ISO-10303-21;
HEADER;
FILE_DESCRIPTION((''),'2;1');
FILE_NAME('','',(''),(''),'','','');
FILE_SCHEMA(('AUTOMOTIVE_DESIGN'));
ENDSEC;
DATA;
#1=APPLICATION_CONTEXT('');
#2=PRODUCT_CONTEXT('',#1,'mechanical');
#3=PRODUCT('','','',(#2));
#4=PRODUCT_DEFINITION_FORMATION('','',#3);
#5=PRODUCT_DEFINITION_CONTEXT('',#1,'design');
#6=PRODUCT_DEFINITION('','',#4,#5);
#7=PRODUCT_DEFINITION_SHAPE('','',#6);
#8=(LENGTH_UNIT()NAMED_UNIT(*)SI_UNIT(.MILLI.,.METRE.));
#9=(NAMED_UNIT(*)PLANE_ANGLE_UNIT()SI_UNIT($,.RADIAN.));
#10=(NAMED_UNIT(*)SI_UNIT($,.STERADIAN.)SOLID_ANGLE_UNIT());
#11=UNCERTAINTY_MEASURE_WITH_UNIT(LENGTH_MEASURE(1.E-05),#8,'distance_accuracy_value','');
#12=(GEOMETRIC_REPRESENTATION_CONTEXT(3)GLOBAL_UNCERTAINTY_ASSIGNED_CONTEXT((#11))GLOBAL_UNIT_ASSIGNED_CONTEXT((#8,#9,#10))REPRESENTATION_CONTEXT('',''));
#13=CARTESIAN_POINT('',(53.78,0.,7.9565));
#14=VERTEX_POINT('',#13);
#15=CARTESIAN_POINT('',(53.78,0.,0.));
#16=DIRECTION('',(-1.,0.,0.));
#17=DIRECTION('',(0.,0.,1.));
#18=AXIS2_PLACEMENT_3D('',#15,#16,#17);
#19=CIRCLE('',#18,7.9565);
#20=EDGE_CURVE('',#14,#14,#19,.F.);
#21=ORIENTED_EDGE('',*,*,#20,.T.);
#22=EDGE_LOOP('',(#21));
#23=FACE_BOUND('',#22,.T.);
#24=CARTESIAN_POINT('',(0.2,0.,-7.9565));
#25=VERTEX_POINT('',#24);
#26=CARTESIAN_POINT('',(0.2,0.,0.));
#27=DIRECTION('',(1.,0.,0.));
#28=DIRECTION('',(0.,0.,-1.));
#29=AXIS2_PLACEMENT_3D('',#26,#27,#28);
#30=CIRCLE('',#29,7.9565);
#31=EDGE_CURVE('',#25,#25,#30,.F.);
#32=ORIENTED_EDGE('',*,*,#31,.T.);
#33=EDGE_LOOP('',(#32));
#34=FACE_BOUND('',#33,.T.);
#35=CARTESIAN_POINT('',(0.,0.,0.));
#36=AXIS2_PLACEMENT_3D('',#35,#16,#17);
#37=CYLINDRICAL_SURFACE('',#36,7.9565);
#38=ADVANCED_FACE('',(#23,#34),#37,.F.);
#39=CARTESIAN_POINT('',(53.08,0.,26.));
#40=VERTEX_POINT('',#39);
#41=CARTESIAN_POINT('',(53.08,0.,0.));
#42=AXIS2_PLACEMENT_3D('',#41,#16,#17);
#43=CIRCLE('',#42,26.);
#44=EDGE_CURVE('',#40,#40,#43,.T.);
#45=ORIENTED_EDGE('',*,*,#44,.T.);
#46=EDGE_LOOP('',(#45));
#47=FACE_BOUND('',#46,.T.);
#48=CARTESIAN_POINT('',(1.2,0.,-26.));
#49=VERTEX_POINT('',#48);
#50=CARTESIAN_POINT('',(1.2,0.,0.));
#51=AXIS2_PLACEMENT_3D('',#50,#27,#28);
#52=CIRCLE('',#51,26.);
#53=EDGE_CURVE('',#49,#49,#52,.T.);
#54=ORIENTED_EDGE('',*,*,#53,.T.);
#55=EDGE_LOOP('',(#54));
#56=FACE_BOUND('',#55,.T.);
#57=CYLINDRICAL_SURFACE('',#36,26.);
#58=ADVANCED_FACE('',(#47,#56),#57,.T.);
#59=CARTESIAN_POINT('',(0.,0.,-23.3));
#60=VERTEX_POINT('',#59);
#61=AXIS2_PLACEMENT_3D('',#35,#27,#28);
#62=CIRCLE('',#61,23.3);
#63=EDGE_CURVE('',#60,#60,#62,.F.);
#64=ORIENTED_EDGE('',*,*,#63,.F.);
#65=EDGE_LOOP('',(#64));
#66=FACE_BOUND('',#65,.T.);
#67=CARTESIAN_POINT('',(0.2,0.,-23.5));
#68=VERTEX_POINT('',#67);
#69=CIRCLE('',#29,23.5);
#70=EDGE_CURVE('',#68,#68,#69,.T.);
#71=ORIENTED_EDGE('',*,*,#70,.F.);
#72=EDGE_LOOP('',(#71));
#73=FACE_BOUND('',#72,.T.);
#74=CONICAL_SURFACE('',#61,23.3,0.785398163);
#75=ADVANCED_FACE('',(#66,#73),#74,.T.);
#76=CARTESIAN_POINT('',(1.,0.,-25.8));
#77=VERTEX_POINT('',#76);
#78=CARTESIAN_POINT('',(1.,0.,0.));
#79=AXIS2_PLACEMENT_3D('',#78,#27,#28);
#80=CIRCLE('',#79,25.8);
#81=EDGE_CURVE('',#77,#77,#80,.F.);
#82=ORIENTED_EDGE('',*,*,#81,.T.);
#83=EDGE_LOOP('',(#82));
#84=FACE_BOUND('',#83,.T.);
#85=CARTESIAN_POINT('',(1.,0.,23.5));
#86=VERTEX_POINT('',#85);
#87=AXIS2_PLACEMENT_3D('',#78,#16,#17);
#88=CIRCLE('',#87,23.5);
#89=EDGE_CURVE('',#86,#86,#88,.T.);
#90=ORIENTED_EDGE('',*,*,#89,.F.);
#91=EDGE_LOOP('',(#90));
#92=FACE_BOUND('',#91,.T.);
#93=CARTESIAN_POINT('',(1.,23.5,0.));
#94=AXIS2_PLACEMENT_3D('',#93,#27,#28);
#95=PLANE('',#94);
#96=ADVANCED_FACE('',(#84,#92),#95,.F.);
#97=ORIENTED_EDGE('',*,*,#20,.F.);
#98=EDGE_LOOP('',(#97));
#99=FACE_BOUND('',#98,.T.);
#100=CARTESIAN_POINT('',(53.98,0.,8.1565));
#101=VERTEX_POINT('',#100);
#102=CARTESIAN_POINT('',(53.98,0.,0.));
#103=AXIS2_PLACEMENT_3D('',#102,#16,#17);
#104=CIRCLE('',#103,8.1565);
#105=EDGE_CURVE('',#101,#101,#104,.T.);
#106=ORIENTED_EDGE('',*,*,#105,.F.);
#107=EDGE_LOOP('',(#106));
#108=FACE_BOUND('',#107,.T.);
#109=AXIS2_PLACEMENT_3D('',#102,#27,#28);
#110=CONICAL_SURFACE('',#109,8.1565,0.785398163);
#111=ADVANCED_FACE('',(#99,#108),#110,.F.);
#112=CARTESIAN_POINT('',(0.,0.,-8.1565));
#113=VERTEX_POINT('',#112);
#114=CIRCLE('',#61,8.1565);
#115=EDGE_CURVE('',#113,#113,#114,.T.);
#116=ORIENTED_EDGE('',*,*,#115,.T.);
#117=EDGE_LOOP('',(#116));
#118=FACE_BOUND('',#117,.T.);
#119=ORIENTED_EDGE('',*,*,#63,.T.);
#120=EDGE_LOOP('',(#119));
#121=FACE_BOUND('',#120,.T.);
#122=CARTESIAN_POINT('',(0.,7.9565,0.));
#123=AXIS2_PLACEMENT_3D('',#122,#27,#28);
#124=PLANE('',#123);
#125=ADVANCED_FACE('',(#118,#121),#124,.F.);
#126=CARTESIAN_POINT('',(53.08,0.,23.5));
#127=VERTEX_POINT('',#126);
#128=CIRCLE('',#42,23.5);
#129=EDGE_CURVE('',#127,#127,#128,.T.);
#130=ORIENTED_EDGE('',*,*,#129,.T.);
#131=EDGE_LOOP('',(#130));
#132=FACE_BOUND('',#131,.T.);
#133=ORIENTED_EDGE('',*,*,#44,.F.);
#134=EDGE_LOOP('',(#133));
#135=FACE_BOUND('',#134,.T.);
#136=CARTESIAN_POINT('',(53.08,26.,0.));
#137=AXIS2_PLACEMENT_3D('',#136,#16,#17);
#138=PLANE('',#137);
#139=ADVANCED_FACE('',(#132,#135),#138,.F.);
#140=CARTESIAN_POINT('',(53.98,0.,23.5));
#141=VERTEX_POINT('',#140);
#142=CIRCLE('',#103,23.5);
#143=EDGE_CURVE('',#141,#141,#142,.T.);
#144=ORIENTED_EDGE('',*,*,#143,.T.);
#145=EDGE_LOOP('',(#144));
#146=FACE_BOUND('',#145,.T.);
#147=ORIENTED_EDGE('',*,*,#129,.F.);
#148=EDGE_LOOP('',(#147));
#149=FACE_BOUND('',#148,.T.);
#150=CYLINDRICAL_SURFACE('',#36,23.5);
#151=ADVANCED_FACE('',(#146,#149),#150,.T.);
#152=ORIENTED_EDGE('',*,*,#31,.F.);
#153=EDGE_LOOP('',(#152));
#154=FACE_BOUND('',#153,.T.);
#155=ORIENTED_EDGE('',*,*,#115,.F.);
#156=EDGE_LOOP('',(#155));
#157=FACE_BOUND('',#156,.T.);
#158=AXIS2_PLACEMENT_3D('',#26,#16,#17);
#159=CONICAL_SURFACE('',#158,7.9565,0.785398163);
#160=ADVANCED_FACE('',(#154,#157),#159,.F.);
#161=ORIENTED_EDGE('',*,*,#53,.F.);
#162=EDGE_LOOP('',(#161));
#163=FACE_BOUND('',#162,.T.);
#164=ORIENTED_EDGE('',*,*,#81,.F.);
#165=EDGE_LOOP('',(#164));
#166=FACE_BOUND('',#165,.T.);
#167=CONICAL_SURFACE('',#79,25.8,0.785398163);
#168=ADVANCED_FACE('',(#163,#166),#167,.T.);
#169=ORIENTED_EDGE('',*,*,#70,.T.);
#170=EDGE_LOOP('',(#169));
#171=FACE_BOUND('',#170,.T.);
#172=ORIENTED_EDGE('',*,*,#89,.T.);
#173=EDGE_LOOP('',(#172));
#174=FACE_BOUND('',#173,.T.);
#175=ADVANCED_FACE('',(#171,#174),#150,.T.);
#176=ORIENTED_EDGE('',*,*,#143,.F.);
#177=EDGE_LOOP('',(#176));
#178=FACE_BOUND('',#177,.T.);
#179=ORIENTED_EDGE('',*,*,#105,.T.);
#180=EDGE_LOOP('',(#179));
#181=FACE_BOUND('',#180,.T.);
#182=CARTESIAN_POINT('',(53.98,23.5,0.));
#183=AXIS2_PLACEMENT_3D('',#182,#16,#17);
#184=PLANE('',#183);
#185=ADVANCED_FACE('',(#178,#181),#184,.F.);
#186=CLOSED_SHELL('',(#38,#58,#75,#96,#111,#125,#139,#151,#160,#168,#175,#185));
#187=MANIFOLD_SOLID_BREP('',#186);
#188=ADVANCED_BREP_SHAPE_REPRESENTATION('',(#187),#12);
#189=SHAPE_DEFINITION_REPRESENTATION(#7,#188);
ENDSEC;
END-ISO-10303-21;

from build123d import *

# Parameters (mm, degrees)
CHAMFER1_SIZE = 0.2


with BuildPart() as part:
    # Sketch1 → Revolve1 (revolve)
    with BuildSketch(Plane.XY, mode=Mode.PRIVATE) as revolve1_sk:
        Polygon((0, 23.5), (1, 23.5), (1, 26), (53.08, 26), (53.08, 23.5), (53.98, 23.5), (53.98, 7.9565), (0, 7.9565), align=None)
    revolve(revolve1_sk.sketch.rotate(Axis((0, 0, 0), (1, 0, 0)), 90), axis=Axis((0, 0, 0), (1, 0, 0)))

    # Chamfer1
    chamfer1_edges = [part.edges().sort_by_distance(p)[0] for p in [
        (0, 0, -23.5),
        (0, 0, -7.9565),
        (53.98, 0, -7.9565),
        (1, 0, -26),
    ]]
    chamfer(chamfer1_edges, length=CHAMFER1_SIZE)


solid = part.part
